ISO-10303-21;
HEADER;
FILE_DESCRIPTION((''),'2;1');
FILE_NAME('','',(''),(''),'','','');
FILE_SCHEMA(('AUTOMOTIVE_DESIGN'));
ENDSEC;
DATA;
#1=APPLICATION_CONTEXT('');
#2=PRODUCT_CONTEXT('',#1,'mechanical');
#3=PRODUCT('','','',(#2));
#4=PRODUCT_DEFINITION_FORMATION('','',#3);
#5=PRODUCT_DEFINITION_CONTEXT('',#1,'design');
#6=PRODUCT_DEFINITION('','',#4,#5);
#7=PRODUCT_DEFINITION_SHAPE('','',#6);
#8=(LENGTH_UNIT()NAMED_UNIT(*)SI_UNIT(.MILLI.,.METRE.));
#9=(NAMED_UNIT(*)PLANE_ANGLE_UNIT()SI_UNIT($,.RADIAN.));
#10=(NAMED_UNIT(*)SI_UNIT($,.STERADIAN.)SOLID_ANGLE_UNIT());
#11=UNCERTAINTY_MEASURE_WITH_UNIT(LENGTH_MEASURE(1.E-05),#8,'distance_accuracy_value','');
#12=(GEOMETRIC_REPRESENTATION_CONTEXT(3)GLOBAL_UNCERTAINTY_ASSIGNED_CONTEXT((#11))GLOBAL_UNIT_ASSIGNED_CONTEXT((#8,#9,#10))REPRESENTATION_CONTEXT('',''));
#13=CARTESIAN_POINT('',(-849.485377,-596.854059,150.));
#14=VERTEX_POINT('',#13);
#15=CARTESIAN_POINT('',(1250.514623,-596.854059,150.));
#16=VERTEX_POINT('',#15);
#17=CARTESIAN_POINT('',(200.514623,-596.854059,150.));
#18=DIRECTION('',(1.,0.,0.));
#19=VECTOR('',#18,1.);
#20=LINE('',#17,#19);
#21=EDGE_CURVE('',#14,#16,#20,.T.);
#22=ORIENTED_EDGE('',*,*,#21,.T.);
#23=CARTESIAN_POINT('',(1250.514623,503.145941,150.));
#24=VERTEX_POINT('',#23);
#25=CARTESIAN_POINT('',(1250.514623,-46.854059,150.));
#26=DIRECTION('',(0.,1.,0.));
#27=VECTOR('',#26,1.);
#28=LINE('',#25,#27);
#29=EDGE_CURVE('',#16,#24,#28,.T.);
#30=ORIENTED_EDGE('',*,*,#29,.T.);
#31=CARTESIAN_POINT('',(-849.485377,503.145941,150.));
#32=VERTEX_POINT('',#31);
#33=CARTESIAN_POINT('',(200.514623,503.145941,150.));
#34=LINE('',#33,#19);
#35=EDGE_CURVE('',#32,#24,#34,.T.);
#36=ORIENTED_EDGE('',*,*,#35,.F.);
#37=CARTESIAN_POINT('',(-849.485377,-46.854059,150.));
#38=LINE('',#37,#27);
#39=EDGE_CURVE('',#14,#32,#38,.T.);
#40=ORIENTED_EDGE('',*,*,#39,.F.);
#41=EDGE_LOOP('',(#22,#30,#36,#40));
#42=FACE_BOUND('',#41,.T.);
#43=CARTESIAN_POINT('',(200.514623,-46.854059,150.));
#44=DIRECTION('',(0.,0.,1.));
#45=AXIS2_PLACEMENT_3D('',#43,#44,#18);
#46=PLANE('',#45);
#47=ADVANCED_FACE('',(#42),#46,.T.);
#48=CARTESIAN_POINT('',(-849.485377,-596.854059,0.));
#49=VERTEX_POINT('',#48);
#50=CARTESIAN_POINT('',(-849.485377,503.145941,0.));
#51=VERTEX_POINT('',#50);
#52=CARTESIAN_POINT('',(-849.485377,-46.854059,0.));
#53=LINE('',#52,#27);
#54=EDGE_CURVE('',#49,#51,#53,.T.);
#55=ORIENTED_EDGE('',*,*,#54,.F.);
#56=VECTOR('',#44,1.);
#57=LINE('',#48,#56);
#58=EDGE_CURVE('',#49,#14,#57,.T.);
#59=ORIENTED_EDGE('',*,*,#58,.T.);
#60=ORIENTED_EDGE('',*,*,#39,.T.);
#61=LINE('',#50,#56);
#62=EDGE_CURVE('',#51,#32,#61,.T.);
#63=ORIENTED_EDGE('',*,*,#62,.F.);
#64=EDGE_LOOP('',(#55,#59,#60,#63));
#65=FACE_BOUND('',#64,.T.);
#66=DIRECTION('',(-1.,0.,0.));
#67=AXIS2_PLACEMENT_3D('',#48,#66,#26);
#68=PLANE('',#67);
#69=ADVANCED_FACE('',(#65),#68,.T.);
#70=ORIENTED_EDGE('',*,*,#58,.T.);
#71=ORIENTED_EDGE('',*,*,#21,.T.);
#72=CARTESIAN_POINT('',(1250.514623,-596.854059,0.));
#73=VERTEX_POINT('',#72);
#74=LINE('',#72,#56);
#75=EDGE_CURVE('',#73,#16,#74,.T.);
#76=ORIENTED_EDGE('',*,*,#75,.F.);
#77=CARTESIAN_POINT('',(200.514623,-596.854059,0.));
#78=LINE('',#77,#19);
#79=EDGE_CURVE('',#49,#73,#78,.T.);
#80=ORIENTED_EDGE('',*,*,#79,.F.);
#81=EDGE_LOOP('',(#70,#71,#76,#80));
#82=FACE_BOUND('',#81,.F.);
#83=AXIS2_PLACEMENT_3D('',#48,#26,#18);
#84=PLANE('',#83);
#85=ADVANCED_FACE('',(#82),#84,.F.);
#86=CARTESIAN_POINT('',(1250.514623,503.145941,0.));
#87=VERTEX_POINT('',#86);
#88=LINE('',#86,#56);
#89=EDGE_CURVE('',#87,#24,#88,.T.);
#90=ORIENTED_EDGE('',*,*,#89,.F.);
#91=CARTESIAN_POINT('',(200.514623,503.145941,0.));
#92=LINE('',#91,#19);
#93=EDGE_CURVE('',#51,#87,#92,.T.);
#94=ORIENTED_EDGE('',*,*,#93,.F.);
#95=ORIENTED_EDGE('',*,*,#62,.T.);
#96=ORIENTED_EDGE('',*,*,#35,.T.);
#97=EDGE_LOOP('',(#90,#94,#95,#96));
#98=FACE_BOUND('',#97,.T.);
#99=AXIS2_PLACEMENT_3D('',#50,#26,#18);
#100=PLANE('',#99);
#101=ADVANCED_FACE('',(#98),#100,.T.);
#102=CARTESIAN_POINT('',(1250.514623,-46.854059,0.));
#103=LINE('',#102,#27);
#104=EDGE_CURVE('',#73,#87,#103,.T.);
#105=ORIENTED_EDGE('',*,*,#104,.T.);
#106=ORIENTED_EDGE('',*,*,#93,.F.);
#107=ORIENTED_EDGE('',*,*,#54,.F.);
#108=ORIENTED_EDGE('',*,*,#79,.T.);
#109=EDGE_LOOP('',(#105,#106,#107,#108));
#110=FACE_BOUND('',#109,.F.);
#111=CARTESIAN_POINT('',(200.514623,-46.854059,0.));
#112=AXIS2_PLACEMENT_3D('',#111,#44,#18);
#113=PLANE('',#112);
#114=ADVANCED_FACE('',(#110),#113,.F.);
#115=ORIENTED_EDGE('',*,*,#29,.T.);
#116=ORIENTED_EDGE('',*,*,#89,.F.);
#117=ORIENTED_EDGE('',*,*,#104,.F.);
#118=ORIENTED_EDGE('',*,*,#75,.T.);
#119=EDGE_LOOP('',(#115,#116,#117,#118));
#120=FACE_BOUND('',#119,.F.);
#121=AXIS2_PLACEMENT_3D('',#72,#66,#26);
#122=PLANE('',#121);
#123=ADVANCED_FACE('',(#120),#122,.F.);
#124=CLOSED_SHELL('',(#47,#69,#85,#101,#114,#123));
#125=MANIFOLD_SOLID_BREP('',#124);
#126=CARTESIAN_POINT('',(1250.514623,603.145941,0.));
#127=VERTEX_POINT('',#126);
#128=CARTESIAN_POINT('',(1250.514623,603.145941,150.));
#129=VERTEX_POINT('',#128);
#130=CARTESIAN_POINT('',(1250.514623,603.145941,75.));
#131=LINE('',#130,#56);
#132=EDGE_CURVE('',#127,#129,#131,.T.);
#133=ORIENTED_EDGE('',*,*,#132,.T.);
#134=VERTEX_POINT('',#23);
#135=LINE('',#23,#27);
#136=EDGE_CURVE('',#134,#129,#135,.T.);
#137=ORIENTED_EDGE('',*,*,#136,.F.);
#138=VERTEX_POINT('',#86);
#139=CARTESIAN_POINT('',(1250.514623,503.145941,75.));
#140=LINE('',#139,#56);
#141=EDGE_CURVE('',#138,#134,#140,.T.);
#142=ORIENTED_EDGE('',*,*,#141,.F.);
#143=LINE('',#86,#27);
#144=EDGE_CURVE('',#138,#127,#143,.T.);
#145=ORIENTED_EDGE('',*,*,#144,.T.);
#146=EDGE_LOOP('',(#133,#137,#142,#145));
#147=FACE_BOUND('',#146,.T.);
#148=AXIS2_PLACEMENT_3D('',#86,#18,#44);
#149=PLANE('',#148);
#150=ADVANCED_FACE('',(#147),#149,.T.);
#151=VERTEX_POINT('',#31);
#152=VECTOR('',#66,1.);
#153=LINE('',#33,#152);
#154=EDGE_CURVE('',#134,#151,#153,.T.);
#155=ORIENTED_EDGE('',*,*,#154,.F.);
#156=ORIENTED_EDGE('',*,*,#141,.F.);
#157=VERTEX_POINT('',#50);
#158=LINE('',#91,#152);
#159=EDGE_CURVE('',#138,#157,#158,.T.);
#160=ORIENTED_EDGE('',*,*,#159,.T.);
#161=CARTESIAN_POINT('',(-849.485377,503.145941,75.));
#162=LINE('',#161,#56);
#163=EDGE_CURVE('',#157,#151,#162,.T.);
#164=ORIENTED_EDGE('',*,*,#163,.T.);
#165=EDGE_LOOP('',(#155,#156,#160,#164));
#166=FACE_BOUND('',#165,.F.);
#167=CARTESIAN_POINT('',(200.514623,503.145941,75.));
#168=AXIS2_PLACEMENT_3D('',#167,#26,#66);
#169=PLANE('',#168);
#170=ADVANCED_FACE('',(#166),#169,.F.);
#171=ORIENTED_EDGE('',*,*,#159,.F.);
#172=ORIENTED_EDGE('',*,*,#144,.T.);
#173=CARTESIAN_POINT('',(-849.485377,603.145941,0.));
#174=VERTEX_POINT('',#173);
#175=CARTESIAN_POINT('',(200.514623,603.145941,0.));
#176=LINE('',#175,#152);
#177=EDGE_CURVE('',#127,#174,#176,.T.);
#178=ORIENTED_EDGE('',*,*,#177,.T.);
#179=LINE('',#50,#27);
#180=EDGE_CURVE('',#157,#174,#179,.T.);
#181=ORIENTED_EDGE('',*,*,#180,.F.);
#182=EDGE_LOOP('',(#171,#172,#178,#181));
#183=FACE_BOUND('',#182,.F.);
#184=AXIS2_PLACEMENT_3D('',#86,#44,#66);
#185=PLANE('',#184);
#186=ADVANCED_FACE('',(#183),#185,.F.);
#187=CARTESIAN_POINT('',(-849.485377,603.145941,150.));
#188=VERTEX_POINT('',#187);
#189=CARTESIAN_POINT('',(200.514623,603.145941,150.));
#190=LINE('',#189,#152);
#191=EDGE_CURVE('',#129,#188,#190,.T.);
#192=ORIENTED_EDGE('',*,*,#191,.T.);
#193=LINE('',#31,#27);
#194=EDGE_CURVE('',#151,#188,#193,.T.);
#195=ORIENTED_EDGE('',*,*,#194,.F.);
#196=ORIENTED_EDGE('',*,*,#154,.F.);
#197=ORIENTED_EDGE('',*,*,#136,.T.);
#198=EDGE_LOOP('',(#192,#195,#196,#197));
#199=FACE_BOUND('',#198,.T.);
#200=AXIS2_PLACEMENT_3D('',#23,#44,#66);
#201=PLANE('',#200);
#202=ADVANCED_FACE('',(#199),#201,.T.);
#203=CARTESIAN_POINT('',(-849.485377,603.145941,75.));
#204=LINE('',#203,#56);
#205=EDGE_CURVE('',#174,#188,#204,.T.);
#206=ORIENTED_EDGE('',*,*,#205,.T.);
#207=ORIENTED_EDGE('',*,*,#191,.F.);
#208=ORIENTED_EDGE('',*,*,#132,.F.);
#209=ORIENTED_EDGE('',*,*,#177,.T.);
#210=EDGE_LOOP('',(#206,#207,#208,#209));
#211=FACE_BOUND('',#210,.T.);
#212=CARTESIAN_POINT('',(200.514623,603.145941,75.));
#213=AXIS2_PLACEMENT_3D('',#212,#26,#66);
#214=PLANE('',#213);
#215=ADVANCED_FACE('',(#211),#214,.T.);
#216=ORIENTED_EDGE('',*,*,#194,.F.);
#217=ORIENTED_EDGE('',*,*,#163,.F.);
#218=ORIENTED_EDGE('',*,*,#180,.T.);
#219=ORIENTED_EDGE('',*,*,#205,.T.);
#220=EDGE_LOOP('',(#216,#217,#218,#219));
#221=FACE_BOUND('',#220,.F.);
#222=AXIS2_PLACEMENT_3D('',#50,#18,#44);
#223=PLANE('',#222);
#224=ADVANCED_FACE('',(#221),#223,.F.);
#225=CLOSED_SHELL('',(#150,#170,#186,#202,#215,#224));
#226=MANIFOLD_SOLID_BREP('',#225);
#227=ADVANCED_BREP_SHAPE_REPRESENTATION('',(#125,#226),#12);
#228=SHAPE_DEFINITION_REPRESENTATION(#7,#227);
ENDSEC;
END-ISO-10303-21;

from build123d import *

# Parameters (mm, degrees)
F0_W      = 2100
F0_H      = 1100
F1_DEPTH  = 150
F1_FACE_W = 2100
F1_FACE_H = 150
F2_DEPTH  = 100


with BuildPart() as f1:
    # F0 (on Top) → F1 (new body)
    with BuildSketch(Plane.XY):
        with Locations((200.514623, -46.854059)):
            Rectangle(F0_W, F0_H)
    extrude(amount=F1_DEPTH)


with BuildPart() as f2:
    # F1_face (on face) → F2 (new body)
    with BuildSketch(Plane(origin=(200.514623, 503.145941, 75), x_dir=(-1, 0, 0), z_dir=(0, 1, 0))):
        Rectangle(F1_FACE_W, F1_FACE_H)
    extrude(amount=F2_DEPTH)


solid = Compound([f1.part, f2.part])
